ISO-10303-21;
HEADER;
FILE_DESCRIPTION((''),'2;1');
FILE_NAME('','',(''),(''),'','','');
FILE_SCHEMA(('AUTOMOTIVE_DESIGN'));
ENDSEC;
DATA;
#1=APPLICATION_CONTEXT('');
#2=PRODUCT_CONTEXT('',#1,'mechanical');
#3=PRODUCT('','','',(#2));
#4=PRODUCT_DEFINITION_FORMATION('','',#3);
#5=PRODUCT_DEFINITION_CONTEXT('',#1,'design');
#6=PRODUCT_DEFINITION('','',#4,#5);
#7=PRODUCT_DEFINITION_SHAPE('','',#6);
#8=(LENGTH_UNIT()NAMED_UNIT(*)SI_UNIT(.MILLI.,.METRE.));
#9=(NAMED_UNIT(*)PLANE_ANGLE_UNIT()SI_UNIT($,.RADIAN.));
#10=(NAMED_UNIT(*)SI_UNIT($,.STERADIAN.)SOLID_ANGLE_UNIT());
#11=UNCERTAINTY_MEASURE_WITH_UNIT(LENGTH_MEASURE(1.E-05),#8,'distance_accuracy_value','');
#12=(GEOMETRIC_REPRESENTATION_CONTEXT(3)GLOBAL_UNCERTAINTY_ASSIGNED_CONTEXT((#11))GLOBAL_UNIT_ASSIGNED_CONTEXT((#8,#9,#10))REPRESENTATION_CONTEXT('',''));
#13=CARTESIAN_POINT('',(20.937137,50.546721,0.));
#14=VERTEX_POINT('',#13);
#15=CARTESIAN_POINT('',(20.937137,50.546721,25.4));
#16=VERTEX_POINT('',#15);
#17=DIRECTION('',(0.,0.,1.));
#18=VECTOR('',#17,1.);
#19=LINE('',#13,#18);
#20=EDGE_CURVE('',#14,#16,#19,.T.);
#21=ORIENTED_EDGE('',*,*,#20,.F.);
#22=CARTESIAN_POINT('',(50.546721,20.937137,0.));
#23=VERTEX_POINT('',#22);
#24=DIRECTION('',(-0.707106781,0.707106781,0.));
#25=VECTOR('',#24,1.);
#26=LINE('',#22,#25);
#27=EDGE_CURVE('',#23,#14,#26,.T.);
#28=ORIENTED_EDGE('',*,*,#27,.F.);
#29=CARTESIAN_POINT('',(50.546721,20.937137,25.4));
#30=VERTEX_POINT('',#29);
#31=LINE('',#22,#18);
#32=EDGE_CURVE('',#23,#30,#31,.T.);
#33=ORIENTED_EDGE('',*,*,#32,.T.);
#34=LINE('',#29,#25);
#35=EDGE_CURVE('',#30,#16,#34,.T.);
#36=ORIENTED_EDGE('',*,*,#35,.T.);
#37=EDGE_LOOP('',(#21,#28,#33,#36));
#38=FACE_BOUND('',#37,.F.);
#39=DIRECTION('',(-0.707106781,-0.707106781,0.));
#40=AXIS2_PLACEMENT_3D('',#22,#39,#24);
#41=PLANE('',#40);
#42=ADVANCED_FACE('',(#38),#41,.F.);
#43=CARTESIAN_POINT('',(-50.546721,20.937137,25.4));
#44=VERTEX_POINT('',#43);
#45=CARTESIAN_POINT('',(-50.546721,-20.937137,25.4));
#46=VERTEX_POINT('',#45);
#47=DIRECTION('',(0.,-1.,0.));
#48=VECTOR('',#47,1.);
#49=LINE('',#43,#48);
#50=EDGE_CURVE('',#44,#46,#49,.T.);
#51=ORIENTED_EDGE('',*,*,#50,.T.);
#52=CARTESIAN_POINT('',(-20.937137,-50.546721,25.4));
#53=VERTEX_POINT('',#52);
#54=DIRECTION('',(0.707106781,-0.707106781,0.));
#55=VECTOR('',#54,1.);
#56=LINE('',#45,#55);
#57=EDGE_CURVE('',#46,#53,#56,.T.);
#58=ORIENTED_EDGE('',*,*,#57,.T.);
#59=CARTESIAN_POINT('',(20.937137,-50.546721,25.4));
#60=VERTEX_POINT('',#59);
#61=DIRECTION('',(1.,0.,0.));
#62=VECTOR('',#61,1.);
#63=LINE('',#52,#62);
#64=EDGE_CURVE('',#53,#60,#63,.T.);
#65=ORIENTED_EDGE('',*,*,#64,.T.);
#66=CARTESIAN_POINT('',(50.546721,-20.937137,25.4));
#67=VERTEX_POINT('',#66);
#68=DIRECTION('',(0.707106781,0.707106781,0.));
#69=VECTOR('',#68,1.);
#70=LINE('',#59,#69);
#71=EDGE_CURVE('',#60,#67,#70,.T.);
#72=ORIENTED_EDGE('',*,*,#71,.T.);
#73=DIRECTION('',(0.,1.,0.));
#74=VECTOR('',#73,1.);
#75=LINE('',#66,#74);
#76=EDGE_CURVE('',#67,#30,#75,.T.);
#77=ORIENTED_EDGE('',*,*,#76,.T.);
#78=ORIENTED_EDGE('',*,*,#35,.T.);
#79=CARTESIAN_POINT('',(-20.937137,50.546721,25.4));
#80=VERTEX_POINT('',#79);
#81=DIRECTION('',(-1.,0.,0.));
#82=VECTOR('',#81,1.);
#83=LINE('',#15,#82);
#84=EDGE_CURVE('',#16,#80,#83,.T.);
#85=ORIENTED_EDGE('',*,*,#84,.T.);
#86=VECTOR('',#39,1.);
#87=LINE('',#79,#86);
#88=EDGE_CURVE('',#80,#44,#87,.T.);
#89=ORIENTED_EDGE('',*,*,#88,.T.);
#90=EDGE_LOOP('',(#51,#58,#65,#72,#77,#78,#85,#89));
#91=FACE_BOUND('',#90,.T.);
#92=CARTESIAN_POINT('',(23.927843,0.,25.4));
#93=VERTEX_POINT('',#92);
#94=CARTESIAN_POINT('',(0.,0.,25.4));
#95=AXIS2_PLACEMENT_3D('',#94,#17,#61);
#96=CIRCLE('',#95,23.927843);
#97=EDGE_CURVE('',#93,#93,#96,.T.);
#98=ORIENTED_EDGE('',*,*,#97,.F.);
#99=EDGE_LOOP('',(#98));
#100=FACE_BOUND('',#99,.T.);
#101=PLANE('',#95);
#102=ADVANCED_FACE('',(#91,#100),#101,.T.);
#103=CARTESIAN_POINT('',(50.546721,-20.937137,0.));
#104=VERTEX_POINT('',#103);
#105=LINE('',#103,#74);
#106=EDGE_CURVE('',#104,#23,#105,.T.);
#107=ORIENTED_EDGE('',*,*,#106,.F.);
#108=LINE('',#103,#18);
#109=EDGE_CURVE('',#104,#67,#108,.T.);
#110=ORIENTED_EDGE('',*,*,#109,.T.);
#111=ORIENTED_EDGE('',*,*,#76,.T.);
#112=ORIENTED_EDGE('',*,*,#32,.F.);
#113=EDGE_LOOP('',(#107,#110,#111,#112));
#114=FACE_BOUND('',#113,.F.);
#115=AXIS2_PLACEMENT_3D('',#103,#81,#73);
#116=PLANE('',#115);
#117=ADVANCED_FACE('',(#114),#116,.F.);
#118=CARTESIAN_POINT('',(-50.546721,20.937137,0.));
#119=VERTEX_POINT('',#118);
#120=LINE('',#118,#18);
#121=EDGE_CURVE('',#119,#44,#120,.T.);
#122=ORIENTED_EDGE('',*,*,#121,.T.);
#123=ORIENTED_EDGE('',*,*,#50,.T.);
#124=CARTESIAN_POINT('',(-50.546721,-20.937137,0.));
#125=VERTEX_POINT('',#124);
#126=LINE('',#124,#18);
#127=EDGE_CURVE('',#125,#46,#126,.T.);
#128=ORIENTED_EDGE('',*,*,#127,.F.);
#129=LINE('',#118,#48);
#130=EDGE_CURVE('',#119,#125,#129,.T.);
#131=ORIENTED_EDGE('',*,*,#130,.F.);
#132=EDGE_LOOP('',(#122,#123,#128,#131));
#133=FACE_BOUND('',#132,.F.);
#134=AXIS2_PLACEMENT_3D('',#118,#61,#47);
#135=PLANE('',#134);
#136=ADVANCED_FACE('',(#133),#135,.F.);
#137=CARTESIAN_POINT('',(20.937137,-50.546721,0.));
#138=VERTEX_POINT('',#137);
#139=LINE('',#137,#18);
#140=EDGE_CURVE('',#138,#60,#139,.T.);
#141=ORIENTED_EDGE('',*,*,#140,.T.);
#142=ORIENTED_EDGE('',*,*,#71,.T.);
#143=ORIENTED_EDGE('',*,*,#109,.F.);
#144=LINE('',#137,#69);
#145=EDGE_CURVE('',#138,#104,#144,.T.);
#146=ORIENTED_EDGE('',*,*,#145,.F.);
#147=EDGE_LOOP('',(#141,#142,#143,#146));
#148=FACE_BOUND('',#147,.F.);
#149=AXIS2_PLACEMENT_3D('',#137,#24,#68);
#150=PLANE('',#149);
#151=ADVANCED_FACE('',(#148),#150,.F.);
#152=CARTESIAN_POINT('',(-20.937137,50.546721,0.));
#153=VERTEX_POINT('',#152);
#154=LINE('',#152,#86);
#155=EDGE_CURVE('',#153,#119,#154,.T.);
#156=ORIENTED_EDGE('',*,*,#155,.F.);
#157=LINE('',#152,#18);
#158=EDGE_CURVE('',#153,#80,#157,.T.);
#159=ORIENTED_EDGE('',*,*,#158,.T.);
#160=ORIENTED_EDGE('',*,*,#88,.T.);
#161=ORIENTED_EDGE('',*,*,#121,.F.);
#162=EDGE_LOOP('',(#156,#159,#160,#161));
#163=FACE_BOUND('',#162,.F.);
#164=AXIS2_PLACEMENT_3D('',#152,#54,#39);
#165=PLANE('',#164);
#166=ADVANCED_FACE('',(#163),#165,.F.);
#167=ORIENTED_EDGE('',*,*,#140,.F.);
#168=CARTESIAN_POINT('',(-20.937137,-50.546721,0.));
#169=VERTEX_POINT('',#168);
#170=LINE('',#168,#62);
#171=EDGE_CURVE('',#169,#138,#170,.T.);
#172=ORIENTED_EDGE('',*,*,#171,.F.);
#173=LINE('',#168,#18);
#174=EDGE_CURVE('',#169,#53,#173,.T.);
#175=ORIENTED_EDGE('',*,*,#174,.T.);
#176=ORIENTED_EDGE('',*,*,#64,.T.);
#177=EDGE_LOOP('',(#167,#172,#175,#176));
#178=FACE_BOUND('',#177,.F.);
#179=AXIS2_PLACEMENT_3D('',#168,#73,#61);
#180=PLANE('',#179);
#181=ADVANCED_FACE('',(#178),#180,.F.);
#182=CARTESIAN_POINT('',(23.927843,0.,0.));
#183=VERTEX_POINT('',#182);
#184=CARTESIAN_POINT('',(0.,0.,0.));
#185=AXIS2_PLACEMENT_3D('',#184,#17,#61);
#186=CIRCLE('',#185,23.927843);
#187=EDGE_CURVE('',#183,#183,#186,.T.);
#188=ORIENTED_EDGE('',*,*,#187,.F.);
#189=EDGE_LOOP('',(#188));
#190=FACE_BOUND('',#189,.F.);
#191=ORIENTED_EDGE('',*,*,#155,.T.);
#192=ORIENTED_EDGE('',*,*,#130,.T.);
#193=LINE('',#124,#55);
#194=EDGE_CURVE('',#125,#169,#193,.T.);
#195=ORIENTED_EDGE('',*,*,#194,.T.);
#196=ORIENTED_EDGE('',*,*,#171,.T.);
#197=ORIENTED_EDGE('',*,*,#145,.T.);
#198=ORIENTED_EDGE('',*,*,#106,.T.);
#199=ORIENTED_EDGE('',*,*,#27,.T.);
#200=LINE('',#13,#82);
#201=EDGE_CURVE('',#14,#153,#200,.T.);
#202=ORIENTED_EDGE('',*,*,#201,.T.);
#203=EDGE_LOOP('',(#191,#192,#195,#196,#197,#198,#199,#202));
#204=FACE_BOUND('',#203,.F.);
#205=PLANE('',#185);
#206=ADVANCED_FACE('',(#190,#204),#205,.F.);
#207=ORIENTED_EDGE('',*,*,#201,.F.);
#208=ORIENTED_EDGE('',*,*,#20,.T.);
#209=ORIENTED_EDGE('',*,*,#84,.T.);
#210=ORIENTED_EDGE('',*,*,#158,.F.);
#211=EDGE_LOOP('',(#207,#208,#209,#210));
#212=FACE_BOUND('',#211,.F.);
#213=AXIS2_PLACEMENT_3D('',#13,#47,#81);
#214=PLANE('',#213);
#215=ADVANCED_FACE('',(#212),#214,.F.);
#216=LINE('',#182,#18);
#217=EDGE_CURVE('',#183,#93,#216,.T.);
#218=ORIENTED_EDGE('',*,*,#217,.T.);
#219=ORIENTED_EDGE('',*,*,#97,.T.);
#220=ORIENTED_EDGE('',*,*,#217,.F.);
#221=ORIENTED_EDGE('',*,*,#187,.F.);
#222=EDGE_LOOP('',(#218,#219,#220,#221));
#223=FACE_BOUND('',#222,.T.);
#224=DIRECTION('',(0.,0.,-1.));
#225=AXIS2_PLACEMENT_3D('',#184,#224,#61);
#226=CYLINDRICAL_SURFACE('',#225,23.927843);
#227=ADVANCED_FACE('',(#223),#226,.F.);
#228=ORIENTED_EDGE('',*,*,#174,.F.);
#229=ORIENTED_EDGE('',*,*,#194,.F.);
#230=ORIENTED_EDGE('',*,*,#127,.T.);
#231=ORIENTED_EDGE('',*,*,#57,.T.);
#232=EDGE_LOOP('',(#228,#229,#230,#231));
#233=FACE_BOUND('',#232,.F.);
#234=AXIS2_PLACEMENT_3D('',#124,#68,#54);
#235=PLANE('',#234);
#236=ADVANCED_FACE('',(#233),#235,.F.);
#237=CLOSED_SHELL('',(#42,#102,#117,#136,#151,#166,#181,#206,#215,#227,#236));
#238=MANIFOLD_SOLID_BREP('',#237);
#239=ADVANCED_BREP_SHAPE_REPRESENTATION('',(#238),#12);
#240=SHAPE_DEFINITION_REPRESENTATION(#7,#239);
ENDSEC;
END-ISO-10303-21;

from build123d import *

# Parameters (mm, degrees)
F0_R     = 23.927843
F1_DEPTH = 25.4


with BuildPart() as f1:
    # F0 (on Top) → F1 (new body)
    with BuildSketch(Plane.XY):
        Polygon((-50.546721, 20.937137), (-50.546721, -20.937137), (-20.937137, -50.546721), (20.937137, -50.546721), (50.546721, -20.937137), (50.546721, 20.937137), (20.937137, 50.546721), (-20.937137, 50.546721), align=None)
        Circle(F0_R, mode=Mode.SUBTRACT)
    extrude(amount=F1_DEPTH)


solid = f1.part
